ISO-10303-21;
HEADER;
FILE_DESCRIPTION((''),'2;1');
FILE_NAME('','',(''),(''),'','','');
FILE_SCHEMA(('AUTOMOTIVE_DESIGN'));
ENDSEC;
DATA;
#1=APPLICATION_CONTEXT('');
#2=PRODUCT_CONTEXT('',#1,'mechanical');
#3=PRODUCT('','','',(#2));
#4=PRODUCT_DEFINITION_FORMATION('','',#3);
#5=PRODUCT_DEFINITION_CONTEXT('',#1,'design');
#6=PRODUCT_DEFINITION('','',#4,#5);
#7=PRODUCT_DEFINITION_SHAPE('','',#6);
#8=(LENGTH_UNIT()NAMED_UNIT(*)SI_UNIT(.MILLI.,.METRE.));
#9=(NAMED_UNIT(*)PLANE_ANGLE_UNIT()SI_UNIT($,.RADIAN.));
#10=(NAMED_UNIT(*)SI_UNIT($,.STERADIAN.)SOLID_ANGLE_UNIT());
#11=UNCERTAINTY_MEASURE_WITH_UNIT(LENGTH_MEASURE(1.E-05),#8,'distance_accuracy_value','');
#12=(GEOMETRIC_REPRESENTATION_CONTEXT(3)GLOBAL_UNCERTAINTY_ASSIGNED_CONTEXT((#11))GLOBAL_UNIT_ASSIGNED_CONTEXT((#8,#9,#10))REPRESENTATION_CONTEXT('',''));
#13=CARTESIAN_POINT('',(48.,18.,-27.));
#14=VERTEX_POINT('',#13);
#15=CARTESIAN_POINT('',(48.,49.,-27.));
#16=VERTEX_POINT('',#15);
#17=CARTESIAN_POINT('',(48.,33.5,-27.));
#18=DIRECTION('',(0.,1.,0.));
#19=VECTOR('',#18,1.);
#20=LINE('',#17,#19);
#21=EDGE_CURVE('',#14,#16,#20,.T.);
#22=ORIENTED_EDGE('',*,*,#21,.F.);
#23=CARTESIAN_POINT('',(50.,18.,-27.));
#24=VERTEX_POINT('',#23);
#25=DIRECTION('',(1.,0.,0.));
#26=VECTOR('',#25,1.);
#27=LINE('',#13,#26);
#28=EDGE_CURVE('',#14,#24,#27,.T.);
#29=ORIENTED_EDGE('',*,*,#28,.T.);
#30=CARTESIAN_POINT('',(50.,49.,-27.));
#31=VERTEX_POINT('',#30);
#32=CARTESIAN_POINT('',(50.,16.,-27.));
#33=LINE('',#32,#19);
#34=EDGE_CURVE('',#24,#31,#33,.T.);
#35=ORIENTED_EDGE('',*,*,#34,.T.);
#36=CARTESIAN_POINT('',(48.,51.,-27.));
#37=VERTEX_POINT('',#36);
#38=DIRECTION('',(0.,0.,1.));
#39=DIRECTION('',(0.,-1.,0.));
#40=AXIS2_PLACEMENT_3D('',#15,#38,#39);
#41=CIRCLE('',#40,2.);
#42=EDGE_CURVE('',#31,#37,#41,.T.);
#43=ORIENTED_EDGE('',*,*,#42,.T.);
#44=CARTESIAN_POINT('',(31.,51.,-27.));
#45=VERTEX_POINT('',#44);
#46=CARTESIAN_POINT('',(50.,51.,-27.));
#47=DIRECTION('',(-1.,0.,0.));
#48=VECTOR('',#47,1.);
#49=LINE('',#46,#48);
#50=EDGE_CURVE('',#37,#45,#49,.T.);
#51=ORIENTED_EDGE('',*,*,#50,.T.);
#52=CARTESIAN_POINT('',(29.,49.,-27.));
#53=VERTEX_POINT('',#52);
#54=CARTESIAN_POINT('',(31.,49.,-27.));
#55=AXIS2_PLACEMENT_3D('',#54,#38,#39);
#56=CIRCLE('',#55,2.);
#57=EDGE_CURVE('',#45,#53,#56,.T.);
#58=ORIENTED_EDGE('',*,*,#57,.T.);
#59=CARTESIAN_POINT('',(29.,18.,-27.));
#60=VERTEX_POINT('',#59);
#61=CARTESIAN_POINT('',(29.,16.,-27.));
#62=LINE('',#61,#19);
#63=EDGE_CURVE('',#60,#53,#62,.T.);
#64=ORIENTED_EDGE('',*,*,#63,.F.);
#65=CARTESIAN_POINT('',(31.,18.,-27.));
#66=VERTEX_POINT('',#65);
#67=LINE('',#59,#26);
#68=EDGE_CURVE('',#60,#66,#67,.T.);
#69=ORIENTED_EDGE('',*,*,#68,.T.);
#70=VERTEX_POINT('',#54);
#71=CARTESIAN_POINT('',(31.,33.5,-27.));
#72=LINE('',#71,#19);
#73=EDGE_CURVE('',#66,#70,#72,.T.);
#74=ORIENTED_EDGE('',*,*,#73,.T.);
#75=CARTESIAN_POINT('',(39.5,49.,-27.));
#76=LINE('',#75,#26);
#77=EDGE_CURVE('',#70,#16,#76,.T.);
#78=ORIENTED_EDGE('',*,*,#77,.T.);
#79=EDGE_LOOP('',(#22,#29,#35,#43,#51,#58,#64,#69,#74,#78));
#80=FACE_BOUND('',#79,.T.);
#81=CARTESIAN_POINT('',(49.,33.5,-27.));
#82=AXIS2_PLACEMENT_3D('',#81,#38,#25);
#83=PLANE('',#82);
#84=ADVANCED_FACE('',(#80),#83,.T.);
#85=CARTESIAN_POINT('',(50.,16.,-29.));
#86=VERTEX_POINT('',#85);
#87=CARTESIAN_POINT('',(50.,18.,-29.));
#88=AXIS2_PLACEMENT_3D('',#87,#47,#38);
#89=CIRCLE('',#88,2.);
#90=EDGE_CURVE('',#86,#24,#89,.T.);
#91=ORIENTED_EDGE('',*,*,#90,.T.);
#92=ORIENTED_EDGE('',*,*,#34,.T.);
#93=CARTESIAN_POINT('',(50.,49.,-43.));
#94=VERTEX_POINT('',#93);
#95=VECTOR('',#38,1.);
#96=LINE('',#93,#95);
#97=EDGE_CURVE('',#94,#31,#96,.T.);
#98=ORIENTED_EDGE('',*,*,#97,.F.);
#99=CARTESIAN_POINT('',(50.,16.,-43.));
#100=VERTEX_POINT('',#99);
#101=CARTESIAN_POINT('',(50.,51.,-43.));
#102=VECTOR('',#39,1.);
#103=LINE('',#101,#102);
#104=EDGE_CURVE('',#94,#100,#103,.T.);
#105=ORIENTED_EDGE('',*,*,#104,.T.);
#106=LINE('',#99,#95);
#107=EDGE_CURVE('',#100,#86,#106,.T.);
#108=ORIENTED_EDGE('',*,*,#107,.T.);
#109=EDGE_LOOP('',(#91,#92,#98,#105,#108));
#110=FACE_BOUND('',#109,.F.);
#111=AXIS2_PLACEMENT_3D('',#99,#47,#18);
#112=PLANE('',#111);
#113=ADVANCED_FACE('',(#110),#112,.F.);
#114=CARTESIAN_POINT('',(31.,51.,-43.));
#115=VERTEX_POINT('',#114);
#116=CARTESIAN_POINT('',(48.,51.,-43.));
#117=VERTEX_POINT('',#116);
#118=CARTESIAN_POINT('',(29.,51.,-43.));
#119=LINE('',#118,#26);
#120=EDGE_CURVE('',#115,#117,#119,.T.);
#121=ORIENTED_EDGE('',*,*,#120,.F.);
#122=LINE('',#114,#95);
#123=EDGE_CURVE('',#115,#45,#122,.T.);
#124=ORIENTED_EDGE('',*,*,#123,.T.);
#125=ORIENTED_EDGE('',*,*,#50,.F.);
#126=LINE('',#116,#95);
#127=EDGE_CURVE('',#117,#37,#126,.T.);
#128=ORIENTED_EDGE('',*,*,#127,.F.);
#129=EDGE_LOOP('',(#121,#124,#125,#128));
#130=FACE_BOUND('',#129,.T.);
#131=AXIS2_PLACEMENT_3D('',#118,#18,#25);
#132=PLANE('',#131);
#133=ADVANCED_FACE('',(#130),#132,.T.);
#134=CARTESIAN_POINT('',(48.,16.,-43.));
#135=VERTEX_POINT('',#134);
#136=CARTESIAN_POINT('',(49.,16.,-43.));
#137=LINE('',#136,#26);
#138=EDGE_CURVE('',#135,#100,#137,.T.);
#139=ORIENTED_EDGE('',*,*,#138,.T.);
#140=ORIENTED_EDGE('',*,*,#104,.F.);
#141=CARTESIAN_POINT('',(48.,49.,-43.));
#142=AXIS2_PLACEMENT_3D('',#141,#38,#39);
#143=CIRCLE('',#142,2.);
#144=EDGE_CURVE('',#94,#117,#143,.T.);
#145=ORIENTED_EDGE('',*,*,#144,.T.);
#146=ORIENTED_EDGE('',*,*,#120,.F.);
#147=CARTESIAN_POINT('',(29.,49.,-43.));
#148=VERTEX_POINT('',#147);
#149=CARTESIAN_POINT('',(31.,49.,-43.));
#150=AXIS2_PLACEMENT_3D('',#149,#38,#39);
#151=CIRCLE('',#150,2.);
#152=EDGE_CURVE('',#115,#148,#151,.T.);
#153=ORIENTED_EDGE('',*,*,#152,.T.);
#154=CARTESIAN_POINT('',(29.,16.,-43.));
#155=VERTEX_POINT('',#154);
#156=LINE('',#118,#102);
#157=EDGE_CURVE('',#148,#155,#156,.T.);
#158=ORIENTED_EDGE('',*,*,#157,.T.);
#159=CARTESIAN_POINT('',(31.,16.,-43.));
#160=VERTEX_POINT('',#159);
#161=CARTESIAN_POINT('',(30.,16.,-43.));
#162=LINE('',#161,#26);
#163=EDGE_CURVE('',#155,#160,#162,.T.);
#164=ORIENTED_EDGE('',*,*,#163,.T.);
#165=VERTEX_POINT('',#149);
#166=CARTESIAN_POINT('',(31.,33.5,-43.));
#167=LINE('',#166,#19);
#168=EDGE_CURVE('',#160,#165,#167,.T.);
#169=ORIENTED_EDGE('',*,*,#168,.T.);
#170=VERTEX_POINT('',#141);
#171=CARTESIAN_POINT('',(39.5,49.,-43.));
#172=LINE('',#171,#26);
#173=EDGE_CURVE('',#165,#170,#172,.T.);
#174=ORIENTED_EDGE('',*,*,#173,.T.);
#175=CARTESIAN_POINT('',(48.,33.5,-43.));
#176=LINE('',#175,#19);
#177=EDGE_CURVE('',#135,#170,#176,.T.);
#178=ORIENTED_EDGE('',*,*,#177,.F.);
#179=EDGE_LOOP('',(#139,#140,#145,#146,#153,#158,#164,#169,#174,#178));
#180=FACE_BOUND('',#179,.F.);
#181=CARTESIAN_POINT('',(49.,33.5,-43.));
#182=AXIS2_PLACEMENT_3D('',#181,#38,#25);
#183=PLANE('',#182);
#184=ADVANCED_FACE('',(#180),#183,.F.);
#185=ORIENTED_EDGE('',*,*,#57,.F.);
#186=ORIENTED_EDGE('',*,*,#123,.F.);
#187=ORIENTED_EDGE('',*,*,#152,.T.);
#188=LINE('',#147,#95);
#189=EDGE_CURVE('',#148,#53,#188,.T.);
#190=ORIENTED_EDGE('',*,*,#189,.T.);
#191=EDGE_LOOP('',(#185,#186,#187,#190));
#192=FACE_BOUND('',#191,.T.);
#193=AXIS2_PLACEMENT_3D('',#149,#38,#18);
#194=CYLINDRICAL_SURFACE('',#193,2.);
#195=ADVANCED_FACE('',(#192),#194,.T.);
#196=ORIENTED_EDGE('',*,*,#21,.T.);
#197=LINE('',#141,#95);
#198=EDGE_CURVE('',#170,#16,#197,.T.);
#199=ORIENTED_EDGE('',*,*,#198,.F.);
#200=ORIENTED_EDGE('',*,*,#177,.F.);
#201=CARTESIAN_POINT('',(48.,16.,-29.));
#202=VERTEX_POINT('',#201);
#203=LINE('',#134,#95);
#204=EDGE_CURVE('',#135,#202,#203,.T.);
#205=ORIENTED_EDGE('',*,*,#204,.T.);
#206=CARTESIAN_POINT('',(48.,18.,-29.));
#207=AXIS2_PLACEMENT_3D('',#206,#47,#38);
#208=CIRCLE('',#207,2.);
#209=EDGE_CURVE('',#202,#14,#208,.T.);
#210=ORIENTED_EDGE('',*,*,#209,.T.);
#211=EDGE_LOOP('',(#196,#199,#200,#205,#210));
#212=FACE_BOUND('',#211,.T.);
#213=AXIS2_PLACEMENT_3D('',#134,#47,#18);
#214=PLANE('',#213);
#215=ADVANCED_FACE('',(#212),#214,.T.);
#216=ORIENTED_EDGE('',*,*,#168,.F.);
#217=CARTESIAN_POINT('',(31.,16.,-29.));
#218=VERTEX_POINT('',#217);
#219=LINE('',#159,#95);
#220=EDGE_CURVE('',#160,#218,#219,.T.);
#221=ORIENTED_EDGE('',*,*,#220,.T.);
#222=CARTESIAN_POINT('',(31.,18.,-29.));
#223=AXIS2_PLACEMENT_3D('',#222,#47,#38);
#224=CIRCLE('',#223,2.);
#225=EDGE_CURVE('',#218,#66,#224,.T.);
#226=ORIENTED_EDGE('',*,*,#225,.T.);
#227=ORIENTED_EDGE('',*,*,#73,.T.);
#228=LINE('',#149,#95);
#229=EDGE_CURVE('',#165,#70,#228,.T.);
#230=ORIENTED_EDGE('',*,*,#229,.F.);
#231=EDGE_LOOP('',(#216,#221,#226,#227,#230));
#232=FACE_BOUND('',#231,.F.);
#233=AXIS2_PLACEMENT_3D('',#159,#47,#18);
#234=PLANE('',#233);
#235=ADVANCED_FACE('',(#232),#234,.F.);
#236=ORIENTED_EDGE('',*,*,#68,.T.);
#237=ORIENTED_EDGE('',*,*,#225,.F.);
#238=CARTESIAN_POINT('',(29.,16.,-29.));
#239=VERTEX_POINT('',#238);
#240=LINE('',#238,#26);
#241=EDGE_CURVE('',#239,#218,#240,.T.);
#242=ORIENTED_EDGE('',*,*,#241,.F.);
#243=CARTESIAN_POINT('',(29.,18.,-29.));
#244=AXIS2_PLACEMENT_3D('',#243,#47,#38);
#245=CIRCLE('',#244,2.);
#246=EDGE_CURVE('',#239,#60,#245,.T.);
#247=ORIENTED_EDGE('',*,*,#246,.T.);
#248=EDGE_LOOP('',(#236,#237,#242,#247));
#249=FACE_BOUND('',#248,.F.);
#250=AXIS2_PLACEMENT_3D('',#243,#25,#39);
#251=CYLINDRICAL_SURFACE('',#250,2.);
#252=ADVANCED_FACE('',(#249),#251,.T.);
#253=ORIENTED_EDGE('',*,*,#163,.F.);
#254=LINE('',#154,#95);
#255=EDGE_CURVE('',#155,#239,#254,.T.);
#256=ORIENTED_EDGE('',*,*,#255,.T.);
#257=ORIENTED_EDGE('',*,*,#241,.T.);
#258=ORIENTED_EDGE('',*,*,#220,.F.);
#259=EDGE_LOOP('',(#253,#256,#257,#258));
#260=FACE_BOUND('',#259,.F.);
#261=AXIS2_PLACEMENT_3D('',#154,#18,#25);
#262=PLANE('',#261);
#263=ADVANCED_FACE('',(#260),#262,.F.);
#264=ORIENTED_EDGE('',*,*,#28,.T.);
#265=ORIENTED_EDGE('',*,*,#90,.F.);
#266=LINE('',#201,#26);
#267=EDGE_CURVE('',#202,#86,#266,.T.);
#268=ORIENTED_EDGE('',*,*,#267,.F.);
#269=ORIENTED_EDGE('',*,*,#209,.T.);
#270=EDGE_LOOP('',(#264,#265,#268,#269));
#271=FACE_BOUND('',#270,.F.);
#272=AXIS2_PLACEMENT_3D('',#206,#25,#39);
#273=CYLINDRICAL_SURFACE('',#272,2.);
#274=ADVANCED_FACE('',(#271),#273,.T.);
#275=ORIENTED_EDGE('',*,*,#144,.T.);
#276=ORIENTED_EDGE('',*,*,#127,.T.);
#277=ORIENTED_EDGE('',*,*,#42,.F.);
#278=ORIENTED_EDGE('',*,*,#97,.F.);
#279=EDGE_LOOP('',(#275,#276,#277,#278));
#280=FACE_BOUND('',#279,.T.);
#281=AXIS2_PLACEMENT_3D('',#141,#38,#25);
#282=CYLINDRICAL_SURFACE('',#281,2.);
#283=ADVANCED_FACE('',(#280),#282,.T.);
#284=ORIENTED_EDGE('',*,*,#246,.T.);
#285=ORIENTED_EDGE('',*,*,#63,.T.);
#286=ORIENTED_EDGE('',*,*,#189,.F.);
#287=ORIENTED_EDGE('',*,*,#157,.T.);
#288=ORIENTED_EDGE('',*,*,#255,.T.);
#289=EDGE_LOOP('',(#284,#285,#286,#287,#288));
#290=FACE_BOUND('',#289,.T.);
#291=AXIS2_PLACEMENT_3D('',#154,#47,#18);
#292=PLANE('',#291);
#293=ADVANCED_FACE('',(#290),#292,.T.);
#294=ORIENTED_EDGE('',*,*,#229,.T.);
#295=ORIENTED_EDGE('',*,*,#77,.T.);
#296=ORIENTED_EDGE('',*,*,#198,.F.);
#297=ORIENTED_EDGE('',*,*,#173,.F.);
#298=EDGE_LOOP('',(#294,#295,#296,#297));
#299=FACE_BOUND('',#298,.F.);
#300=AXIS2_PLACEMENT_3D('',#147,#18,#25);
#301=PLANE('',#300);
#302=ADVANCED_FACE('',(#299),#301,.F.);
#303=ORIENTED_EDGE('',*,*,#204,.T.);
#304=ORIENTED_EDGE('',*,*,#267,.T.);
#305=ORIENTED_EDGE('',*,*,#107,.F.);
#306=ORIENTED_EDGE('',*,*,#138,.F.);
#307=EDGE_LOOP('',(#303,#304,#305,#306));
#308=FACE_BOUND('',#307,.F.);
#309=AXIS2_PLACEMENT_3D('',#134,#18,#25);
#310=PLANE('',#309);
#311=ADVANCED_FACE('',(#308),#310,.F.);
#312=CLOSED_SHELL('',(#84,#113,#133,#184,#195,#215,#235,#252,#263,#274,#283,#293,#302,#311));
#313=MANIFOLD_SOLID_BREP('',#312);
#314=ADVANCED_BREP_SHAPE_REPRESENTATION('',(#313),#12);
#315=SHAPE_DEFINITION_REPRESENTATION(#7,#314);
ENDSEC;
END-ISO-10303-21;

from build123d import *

# Parameters (mm, degrees)
BOX014_W     = 2
BOX014_H     = 35
BOX014_DEPTH = 16
BOX015_W     = 2
BOX015_H     = 35
BOX015_DEPTH = 16
BOX017_W     = 21
BOX017_H     = 2
BOX017_DEPTH = 16
FILLET012_R  = 2


with BuildPart() as cubo013:
    # Box014 → Box014 (new body)
    with BuildSketch(Plane(origin=(29, 29, -46), x_dir=(1, 0, 0), z_dir=(0, 0, 1))):
        with Locations((1, 17.5)):
            Rectangle(BOX014_W, BOX014_H)
    extrude(amount=BOX014_DEPTH)


with BuildPart() as cubo014:
    # Box015 → Box015 (new body)
    with BuildSketch(Plane(origin=(48, 29, -46), x_dir=(1, 0, 0), z_dir=(0, 0, 1))):
        with Locations((1, 17.5)):
            Rectangle(BOX015_W, BOX015_H)
    extrude(amount=BOX015_DEPTH)


with BuildPart() as fillet012:
    # Box017 → Box017 (new body)
    with BuildSketch(Plane(origin=(29, 62, -46), x_dir=(1, 0, 0), z_dir=(0, 0, 1))):
        with Locations((10.5, 1)):
            Rectangle(BOX017_W, BOX017_H)
    extrude(amount=BOX017_DEPTH)

    # Fusion: union Cubo013, Cubo014
    add(cubo013.part)
    add(cubo014.part)

    # Fillet012
    fillet012_edges = [fillet012.edges().sort_by_distance(p)[0] for p in [
        (30, 29, -30),
        (49, 29, -30),
        (29, 64, -38),
        (50, 64, -38),
    ]]
    fillet(fillet012_edges, radius=FILLET012_R)


with BuildPart() as fillet012_1:
    # Fillet012 placement: moved
    add(fillet012.part.moved(Location((0, -13, 3))))


solid = fillet012_1.part
